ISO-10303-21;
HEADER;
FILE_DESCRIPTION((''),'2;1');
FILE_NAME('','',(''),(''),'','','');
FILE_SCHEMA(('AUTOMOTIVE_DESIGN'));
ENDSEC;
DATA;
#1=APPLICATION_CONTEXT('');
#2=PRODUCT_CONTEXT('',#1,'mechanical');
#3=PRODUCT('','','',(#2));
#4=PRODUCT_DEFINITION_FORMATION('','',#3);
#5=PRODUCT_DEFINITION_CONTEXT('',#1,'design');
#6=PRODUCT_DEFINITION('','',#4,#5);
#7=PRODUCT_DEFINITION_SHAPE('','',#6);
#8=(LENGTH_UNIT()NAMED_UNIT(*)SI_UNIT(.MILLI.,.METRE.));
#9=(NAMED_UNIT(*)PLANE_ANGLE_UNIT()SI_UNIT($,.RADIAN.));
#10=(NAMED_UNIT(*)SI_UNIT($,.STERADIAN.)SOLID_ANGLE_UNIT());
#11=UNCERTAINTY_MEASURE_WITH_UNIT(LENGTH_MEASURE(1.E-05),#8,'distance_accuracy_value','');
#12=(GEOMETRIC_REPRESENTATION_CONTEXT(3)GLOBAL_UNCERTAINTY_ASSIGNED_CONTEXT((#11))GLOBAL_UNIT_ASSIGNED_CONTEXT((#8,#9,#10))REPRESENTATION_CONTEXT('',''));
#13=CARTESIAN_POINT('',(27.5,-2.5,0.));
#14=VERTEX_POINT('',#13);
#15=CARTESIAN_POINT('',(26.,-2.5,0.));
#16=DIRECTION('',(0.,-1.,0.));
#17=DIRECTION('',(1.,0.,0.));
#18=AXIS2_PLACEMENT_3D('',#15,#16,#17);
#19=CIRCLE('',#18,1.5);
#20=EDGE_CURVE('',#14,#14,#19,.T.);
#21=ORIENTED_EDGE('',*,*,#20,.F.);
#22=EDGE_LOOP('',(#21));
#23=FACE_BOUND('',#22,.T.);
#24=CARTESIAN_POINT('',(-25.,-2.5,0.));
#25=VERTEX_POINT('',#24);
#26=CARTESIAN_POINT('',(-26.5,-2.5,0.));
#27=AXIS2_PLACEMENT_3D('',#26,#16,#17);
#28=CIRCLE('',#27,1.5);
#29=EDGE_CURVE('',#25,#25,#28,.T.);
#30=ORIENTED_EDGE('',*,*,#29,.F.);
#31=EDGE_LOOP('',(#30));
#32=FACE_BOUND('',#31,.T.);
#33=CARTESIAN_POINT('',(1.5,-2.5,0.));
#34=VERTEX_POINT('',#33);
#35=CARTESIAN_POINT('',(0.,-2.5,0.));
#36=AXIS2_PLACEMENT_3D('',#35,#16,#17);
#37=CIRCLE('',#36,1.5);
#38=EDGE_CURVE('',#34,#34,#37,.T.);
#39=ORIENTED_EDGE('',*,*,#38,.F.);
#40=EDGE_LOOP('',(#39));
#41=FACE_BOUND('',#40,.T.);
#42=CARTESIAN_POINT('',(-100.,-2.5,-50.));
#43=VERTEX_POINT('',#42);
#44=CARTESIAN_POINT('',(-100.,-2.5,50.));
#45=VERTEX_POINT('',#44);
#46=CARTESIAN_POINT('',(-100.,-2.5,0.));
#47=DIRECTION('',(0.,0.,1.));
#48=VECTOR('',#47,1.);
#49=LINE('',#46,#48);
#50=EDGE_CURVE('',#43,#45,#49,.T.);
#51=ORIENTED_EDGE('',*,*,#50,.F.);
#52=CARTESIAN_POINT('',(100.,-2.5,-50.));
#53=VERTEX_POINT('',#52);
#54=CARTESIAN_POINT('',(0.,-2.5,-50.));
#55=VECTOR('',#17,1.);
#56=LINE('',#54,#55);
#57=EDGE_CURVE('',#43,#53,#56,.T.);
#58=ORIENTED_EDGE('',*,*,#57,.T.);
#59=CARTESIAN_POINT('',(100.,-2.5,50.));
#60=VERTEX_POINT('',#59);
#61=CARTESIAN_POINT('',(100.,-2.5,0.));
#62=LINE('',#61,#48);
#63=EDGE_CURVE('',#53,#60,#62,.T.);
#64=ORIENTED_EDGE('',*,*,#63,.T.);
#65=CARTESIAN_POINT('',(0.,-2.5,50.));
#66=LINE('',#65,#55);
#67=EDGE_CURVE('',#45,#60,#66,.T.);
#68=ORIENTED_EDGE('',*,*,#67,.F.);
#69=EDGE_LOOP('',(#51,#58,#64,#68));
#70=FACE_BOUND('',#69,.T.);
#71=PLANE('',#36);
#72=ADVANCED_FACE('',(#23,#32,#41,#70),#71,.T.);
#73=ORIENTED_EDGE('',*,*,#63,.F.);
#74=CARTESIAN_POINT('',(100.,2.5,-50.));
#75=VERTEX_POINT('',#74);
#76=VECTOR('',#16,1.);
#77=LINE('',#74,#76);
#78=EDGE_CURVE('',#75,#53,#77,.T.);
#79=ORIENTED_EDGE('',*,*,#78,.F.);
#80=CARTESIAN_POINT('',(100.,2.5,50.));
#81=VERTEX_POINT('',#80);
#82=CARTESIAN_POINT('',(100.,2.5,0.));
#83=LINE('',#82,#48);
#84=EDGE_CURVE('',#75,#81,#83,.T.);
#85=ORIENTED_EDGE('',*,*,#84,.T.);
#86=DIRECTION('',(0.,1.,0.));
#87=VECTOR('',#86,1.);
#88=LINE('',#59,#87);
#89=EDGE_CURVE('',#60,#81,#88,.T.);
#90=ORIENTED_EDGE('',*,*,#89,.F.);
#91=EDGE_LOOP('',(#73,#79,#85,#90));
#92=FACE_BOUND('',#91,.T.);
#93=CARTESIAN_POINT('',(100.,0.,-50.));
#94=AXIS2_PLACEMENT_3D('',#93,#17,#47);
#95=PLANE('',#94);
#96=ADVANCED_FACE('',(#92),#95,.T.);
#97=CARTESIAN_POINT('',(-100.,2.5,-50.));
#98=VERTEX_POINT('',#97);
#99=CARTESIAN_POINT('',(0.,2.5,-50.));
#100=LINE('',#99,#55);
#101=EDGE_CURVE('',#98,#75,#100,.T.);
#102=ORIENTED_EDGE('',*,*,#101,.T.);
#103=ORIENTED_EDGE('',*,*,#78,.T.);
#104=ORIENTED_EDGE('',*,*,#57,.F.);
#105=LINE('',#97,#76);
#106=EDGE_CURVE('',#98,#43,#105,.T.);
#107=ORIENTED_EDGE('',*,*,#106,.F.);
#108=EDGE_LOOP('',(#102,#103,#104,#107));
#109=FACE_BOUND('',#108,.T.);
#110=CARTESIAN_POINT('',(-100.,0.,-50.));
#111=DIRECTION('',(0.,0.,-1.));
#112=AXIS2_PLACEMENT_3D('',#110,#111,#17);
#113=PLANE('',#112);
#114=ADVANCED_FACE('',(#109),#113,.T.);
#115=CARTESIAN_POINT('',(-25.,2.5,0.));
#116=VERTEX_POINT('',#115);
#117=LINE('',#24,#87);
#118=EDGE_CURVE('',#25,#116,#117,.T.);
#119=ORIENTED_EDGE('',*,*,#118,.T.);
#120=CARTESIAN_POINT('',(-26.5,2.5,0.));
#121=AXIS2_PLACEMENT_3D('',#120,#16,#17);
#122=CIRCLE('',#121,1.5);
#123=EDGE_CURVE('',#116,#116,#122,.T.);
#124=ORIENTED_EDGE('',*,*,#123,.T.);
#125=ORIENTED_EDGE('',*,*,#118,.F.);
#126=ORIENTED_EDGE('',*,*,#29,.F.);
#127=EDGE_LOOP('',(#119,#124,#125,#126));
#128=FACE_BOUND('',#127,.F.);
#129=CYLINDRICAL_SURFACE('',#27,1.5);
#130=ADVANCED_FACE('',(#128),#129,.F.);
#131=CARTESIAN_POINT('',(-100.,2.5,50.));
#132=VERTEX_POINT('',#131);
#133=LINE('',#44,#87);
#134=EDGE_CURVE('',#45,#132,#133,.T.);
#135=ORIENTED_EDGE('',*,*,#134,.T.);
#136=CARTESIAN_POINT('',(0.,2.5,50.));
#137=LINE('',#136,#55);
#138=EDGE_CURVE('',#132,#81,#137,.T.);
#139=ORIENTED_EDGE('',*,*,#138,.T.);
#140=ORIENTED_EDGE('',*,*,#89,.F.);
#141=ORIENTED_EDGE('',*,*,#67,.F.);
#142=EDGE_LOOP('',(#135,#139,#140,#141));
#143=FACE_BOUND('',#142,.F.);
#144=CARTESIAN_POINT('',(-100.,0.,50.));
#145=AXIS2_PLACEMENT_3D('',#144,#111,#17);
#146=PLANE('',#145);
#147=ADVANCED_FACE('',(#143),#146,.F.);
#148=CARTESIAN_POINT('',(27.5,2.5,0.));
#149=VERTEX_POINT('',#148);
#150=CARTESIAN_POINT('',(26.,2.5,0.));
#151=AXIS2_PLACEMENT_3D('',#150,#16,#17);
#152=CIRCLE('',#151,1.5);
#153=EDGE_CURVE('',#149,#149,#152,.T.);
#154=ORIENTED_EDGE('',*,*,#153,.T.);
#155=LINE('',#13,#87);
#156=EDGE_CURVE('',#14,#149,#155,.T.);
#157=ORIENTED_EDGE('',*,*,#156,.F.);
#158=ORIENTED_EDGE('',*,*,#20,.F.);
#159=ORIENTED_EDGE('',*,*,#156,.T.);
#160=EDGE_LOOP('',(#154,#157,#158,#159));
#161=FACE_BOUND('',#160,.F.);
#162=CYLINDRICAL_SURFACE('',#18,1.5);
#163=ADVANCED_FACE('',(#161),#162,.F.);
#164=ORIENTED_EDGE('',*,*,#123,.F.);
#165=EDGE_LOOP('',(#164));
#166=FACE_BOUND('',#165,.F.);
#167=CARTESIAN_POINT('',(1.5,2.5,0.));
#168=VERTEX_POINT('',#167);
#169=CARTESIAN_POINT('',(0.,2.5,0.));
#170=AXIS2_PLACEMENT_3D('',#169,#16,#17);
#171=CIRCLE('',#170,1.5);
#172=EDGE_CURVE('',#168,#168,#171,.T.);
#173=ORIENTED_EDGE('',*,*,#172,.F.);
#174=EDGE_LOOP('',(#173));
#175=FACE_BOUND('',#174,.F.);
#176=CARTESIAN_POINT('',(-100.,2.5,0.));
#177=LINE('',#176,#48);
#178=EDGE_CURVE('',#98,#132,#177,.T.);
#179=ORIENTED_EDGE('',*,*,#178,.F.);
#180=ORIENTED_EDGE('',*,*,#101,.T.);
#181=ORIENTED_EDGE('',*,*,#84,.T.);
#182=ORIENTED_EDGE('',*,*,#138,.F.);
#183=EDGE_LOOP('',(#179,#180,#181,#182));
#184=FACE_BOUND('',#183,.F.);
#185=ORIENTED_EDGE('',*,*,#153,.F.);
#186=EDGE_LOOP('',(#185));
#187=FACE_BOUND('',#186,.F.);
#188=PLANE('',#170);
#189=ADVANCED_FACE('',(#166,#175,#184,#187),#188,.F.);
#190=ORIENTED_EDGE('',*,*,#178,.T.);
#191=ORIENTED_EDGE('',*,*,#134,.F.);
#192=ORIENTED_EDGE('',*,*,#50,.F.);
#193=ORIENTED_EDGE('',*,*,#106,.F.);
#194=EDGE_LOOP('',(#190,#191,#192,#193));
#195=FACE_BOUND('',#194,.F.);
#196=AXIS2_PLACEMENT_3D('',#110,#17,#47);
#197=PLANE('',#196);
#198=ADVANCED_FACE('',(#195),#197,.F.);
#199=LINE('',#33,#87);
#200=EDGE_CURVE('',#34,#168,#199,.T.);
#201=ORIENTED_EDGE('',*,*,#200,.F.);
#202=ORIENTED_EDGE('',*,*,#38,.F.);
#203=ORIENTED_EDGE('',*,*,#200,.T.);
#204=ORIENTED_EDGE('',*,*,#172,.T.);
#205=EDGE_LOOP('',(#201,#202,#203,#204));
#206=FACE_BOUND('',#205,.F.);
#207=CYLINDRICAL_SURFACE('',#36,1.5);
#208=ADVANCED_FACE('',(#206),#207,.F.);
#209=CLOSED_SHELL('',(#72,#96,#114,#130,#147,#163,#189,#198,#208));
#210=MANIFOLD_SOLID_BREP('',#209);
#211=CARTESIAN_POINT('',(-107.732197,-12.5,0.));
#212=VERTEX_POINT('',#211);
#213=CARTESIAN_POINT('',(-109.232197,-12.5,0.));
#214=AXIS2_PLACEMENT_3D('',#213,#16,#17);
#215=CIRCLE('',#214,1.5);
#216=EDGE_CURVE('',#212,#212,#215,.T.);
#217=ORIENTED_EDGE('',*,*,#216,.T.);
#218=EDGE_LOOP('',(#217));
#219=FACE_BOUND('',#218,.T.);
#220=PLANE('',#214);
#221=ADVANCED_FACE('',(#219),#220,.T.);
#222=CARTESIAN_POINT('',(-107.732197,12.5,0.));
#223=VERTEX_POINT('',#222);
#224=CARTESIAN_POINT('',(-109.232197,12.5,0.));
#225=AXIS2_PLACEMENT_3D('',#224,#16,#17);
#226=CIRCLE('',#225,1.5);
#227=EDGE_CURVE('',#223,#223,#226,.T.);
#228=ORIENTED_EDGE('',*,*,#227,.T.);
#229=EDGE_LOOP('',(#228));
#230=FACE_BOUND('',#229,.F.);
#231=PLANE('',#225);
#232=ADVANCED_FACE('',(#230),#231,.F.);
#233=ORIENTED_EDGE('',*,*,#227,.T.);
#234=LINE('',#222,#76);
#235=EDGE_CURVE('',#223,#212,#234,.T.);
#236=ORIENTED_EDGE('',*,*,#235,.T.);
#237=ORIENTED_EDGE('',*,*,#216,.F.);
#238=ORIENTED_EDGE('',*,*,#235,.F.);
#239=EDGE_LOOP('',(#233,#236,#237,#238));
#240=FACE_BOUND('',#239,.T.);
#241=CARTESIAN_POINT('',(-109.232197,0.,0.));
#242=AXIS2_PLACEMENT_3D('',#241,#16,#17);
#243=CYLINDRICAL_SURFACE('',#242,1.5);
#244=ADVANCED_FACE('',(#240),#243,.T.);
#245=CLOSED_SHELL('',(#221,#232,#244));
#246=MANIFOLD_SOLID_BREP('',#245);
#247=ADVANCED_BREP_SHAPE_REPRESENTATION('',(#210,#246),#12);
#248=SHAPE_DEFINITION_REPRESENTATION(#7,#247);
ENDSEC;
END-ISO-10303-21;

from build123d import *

# Parameters (mm, degrees)
F0_W     = 200
F0_H     = 100
F1_DEPTH = 2.5
F2_R     = 1.5
F3_DEPTH = 25
F4_R     = 1.5
F5_DEPTH = 12.5


with BuildPart() as f1:
    # F0 (on Front) → F1 (new body, symmetric)
    with BuildSketch(Plane.XZ):
        Rectangle(F0_W, F0_H)
    extrude(amount=F1_DEPTH, both=True)

    # F2 (on face) → F3 (cut)
    with BuildSketch(Plane.XZ.offset(2.5)):
        with Locations((-26.5, 0)):
            Circle(F2_R)
        Circle(F2_R)
        with Locations((26, 0)):
            Circle(F2_R)
    extrude(amount=-F3_DEPTH, mode=Mode.SUBTRACT)


with BuildPart() as f5:
    # F4 (on Front) → F5 (new body, symmetric)
    with BuildSketch(Plane.XZ):
        with Locations((-109.232197, 0)):
            Circle(F4_R)
    extrude(amount=F5_DEPTH, both=True)


solid = Compound([f1.part, f5.part])
